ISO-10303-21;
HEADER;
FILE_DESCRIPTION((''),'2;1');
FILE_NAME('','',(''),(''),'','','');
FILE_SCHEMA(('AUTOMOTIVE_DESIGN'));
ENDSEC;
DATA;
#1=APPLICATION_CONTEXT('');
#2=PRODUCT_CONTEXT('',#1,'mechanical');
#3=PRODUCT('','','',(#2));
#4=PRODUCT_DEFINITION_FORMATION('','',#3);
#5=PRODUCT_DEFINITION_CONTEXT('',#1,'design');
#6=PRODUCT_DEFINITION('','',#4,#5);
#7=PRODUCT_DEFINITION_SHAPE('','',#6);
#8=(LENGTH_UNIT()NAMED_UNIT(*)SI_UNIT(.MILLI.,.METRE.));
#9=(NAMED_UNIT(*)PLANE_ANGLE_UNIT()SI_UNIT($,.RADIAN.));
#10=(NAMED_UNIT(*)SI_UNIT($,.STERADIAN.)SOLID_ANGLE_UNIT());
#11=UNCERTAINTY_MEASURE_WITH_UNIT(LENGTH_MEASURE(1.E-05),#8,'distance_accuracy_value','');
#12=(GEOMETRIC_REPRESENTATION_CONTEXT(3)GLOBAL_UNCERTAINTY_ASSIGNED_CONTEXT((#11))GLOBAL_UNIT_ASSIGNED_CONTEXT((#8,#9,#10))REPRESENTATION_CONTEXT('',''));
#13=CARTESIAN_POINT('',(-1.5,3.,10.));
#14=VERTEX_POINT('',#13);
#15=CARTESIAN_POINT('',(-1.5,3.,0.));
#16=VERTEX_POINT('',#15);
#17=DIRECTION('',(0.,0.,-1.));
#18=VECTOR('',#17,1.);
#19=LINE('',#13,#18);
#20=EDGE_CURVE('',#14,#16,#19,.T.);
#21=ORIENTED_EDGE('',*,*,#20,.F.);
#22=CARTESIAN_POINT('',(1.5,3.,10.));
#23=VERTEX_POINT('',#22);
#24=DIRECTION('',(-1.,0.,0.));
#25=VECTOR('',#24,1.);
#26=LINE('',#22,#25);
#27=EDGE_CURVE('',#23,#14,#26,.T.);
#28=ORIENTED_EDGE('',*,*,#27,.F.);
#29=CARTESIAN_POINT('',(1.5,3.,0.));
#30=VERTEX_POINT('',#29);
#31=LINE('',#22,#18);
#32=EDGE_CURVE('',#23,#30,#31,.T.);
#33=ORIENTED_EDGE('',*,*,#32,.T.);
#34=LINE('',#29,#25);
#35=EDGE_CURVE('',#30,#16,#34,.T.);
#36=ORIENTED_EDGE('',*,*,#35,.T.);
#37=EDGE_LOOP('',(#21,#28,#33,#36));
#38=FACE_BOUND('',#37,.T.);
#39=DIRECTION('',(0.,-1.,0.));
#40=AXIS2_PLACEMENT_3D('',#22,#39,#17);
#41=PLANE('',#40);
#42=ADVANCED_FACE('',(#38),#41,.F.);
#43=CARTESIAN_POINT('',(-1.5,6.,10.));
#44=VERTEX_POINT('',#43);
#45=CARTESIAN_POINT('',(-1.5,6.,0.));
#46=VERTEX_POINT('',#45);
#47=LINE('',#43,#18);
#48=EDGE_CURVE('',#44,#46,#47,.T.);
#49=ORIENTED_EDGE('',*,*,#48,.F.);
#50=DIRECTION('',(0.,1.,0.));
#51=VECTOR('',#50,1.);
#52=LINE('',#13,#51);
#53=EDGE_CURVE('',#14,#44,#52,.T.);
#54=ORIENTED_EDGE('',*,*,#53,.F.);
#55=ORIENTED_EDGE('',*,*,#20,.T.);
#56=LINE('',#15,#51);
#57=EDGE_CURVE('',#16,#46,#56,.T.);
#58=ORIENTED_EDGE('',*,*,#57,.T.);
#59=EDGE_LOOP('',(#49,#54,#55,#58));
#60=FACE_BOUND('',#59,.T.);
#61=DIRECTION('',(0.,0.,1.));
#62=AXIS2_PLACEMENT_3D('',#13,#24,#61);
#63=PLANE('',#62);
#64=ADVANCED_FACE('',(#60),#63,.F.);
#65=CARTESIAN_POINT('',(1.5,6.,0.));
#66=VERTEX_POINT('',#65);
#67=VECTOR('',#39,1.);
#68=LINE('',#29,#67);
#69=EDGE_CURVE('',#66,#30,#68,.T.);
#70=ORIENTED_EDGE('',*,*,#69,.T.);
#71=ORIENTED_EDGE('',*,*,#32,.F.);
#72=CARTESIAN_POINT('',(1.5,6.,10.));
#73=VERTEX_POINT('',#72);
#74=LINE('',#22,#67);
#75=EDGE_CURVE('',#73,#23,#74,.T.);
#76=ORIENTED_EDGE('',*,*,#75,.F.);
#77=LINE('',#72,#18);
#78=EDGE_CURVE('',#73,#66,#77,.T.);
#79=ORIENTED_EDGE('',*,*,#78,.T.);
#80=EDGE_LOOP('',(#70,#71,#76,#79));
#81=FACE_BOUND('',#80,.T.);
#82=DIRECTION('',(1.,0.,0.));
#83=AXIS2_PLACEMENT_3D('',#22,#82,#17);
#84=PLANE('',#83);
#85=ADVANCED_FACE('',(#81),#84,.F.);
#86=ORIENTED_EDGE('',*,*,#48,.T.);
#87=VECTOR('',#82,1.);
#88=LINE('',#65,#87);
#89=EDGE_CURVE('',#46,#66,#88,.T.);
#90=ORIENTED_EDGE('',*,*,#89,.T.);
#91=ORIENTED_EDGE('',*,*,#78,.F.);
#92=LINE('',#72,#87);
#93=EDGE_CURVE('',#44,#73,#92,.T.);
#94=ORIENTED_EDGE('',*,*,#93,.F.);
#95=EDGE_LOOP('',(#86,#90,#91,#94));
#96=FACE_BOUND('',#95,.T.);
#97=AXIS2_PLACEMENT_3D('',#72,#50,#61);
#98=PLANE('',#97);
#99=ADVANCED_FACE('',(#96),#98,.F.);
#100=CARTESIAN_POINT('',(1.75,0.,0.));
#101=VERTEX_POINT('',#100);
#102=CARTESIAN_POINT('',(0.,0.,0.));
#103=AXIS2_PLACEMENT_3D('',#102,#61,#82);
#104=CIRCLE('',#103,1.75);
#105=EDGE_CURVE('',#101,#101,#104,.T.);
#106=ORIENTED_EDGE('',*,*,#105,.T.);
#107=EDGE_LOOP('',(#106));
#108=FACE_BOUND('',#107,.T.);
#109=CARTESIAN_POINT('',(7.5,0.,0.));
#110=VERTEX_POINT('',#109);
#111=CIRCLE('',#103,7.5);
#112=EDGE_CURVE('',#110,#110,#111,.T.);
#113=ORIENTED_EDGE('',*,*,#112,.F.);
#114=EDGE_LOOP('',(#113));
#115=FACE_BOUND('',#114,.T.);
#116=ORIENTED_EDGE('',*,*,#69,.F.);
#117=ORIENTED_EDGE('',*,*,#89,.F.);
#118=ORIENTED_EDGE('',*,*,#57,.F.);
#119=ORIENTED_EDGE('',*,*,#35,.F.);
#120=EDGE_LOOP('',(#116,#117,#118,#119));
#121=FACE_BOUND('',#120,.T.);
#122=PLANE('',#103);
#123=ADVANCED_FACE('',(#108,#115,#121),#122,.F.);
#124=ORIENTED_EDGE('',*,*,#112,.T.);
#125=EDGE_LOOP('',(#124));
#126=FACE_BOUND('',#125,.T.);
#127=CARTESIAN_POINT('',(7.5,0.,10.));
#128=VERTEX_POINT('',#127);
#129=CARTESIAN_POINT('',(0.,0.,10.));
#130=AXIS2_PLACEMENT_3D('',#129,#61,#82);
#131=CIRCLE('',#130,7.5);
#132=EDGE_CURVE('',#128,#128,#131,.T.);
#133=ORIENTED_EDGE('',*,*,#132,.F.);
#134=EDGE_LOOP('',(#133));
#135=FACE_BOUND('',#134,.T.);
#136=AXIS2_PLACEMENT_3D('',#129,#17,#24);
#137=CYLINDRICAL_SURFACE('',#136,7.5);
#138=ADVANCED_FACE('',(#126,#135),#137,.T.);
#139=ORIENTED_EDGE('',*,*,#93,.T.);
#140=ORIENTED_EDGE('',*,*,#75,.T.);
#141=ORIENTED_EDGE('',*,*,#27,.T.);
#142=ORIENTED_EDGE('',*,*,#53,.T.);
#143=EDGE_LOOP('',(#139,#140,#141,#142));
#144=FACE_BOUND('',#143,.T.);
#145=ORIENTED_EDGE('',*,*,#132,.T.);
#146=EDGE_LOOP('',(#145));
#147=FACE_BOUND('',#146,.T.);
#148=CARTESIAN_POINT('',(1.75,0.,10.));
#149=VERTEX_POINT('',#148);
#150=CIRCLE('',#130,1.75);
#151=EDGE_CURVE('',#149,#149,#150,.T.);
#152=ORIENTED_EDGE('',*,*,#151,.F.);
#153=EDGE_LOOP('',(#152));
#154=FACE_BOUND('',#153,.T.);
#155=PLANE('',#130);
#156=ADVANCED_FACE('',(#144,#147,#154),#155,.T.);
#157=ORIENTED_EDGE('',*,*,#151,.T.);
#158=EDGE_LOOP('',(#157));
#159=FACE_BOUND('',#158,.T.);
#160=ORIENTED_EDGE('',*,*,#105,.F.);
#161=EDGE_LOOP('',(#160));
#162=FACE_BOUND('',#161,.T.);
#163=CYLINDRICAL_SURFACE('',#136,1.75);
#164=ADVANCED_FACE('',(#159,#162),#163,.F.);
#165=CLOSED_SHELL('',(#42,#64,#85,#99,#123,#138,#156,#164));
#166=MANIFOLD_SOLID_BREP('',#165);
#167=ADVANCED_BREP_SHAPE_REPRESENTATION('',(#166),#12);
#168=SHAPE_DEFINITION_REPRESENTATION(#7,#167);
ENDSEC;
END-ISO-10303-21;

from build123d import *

# Parameters (mm, degrees)
SKETCH1_R           = 7.5
SKETCH1_R_2         = 1.75
BOSS_EXTRUDE1_DEPTH = 10
SKETCH2_W           = 3
SKETCH2_H           = 3
CUT_EXTRUDE1_DEPTH  = 15.577379737


with BuildPart() as part:
    # Sketch1 → Boss-Extrude1 (new body)
    with BuildSketch(Plane.XY):
        Circle(SKETCH1_R)
        Circle(SKETCH1_R_2, mode=Mode.SUBTRACT)
    extrude(amount=BOSS_EXTRUDE1_DEPTH)

    # Sketch2 → Cut-Extrude1 (cut, through all)
    with BuildSketch(Plane(origin=(0, 0, 0), x_dir=(-1, 0, 0), z_dir=(0, 0, -1))):
        with Locations((0, 4.5)):
            Rectangle(SKETCH2_W, SKETCH2_H)
    extrude(amount=-CUT_EXTRUDE1_DEPTH, mode=Mode.SUBTRACT)


solid = part.part
